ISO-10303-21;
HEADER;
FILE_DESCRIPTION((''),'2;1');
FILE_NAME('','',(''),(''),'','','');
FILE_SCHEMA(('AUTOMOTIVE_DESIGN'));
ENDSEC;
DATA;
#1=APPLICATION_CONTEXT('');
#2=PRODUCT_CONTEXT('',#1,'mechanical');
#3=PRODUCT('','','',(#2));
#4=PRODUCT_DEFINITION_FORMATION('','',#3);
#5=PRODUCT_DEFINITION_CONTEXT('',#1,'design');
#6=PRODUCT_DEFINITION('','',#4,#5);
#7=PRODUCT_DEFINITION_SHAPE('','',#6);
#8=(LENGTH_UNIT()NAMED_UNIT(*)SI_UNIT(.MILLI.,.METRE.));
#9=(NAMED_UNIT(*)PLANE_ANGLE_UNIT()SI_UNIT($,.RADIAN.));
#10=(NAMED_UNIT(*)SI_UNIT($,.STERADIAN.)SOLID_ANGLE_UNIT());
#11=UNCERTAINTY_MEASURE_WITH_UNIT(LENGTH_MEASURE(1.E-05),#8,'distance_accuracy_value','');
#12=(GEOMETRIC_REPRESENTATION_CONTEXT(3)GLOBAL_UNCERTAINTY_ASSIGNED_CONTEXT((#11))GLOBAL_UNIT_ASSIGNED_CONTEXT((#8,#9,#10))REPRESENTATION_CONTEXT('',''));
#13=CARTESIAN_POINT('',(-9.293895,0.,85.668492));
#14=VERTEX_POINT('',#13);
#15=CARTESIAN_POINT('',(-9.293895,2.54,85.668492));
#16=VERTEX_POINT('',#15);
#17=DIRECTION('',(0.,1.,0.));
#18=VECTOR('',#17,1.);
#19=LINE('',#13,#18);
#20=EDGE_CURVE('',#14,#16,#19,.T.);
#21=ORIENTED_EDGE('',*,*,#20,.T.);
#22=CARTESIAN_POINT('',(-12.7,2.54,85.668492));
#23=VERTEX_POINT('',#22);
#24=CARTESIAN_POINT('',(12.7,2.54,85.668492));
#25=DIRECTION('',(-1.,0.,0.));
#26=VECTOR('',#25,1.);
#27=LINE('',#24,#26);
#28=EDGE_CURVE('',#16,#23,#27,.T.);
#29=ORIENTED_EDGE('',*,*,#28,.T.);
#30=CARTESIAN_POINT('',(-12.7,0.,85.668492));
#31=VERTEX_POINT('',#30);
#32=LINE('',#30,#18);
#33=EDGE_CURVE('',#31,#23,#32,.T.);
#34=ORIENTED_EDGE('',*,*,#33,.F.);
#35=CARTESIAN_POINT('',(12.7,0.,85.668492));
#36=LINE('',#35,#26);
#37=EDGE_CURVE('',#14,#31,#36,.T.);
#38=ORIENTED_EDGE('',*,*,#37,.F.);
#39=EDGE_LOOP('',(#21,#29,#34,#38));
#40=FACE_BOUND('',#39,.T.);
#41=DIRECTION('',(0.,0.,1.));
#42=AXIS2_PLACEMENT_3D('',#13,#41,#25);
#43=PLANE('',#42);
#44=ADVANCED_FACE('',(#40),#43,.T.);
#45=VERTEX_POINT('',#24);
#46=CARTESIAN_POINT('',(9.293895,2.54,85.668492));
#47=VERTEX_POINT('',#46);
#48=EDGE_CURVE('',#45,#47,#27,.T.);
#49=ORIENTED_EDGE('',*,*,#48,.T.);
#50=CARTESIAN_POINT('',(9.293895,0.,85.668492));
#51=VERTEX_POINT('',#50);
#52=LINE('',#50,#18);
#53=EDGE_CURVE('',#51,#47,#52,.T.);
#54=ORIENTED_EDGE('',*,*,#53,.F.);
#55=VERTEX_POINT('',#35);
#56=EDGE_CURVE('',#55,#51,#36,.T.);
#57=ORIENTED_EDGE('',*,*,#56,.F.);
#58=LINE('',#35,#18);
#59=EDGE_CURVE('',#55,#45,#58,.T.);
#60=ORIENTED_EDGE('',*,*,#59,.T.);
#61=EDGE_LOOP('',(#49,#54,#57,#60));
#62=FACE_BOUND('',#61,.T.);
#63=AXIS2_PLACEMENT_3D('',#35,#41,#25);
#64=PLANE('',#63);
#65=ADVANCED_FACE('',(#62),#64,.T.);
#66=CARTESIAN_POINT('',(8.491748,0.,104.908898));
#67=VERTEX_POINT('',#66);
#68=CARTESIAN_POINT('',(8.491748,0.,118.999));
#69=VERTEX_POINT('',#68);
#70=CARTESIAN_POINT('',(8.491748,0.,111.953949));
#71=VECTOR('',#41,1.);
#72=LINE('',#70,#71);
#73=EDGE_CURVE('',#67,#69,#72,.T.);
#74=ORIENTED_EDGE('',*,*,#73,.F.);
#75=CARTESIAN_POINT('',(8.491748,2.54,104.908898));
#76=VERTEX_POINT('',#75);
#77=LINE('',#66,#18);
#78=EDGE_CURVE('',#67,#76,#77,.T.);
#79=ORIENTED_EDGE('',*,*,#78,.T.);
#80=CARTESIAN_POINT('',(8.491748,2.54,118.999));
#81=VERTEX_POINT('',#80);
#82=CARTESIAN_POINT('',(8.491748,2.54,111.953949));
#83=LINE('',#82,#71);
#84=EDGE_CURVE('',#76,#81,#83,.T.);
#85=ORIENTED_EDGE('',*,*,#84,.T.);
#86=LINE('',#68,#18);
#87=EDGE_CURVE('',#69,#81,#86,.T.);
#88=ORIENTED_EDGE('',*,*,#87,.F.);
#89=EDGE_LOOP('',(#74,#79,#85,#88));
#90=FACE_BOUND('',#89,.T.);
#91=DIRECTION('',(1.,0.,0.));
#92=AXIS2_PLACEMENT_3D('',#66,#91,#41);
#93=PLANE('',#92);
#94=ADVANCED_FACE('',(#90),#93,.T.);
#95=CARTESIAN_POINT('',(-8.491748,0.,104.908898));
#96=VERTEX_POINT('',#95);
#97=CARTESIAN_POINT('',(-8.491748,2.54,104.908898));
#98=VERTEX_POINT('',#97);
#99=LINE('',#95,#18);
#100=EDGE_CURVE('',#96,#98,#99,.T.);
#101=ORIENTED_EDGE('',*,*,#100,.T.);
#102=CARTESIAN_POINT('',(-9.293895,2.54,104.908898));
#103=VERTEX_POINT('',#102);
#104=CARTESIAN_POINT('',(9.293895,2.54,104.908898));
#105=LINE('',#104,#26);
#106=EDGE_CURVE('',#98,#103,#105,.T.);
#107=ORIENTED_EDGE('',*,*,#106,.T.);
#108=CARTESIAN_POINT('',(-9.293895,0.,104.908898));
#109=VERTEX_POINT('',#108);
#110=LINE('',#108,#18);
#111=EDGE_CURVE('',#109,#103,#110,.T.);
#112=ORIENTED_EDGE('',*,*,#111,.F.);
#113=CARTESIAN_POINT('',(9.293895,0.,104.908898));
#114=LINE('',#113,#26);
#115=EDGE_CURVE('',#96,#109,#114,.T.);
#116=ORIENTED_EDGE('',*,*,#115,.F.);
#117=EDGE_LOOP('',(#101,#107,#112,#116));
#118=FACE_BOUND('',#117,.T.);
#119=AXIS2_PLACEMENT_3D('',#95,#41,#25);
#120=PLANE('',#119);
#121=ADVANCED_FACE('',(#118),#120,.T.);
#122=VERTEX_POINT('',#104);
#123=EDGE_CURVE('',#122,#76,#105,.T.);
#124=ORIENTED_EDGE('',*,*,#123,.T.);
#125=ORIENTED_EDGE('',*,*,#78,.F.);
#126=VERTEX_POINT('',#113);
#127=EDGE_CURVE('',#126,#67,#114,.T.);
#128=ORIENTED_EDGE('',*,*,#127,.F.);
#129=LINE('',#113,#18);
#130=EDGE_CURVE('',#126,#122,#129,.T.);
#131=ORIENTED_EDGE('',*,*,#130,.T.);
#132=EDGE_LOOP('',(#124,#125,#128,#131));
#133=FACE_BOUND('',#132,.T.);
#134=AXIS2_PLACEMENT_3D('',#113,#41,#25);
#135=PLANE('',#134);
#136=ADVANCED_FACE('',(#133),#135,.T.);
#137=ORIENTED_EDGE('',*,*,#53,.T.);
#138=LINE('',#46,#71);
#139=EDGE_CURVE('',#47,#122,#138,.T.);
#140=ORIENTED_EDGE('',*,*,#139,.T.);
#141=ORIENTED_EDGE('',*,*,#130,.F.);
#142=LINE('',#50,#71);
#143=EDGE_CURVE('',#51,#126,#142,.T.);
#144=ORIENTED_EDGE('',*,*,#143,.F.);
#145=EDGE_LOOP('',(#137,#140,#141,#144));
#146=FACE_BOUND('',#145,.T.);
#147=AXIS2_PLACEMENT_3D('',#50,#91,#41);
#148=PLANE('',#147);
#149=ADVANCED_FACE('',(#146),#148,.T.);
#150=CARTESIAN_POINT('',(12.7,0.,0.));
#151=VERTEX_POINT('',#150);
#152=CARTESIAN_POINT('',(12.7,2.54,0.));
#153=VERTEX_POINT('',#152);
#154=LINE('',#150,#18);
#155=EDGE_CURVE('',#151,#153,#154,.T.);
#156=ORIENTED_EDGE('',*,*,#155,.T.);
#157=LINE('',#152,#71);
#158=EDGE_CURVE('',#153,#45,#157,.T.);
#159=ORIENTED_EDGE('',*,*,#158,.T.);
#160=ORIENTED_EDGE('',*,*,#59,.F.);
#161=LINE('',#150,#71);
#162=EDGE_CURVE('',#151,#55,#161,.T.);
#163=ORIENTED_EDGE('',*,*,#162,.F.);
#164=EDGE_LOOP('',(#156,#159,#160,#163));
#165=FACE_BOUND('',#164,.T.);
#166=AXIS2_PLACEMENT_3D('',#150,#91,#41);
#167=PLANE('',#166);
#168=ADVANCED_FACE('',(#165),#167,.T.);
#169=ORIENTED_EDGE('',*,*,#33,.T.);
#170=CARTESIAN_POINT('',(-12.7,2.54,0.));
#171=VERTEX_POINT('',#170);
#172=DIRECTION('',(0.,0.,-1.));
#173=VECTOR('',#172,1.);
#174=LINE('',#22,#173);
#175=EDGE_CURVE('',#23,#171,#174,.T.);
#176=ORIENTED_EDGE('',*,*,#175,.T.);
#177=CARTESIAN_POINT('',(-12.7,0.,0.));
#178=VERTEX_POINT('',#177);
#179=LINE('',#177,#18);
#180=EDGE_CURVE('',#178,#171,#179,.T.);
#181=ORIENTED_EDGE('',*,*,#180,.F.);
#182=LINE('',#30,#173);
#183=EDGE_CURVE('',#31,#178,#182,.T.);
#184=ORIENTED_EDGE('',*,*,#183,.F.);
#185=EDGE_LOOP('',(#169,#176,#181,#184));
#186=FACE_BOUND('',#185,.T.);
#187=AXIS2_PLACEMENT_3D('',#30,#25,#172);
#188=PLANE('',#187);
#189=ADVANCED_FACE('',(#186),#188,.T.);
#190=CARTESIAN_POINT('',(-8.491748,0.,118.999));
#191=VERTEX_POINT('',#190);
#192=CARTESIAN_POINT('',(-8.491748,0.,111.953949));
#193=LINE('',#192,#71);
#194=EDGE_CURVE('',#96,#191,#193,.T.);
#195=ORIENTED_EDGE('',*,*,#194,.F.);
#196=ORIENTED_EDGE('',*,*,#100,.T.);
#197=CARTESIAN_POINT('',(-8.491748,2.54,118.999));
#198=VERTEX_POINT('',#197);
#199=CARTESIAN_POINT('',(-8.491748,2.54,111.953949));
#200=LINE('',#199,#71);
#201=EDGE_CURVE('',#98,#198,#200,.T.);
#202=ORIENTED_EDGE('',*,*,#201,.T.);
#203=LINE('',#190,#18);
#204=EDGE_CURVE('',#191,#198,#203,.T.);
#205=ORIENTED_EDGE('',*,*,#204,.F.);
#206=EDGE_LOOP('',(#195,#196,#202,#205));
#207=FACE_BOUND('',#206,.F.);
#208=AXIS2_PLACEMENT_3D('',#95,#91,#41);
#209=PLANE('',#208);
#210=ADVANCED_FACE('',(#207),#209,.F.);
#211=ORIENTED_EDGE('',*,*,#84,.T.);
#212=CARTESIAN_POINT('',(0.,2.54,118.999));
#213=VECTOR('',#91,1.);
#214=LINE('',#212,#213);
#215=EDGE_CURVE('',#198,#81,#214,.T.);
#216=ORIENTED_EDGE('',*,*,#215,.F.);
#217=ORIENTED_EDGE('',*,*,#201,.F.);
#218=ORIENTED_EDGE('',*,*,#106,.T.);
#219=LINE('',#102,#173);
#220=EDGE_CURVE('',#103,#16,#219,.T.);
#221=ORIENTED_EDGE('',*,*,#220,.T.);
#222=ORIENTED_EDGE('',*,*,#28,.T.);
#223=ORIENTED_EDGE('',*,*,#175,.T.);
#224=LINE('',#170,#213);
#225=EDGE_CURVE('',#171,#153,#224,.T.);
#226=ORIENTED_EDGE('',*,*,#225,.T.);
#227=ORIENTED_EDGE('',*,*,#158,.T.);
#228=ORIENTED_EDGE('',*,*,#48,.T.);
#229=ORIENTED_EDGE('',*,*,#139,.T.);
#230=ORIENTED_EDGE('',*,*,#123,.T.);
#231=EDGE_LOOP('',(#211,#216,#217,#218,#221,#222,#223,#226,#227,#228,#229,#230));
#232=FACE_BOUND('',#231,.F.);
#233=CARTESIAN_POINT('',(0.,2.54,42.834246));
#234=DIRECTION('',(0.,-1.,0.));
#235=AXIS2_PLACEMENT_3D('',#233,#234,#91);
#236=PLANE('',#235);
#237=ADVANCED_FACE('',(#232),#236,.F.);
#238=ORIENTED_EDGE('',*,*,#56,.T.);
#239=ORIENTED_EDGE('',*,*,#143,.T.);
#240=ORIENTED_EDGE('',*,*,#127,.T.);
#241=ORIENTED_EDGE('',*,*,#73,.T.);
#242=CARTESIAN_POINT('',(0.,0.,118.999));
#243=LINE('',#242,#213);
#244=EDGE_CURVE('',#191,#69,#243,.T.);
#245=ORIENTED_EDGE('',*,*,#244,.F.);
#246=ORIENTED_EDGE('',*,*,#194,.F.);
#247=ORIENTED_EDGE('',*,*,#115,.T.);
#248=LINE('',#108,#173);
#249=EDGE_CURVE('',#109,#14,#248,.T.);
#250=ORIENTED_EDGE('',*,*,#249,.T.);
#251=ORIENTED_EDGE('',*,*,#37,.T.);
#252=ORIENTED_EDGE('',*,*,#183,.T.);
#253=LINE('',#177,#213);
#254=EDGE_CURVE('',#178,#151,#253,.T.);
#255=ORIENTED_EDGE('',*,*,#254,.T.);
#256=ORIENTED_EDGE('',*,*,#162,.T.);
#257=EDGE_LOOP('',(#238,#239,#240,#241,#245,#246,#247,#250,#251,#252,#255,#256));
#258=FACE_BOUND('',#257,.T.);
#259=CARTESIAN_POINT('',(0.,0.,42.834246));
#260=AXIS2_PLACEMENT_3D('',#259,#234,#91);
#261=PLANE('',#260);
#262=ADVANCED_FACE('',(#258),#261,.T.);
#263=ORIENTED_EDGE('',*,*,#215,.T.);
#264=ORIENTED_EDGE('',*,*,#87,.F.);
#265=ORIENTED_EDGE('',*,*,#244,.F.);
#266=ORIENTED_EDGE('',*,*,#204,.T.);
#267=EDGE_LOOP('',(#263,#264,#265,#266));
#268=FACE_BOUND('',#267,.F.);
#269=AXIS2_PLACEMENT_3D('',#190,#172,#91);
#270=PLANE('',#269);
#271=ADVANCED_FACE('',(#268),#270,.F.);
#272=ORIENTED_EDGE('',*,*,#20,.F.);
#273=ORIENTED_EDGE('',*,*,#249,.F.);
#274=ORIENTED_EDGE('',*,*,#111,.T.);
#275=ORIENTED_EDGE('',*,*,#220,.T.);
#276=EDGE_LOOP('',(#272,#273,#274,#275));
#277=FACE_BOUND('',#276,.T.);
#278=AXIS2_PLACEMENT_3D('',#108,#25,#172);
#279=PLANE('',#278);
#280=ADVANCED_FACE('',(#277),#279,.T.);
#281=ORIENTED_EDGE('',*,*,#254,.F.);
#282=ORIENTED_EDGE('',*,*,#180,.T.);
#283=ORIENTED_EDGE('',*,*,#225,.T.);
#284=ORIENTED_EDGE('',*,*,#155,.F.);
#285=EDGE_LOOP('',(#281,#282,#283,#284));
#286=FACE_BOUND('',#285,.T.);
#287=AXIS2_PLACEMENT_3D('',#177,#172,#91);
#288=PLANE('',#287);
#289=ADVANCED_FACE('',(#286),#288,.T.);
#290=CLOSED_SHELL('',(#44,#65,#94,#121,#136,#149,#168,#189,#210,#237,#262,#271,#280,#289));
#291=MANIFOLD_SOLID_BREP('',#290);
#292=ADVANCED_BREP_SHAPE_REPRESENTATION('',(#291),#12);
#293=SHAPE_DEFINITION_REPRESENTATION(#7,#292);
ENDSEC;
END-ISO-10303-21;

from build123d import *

# Parameters (mm, degrees)
F0_W     = 18.58779
F0_H     = 9.243336
F0_W_2   = 16.983496
F0_H_2   = 14.090102
F1_DEPTH = 2.54


with BuildPart() as f1:
    # F0 (on Front) → F1 (new body)
    with BuildSketch(Plane.XZ):
        Polygon((-12.7, 0), (0, 0), (12.7, 0), (12.7, 85.668492), (9.293895, 85.668492), (-9.293895, 85.668492), (-12.7, 85.668492), align=None)
        with Locations((0, 90.29016)):
            Rectangle(F0_W, F0_H)
        Polygon((-9.293895, 104.908898), (-9.293895, 94.911828), (9.293895, 94.911828), (9.293895, 104.908898), (8.491748, 104.908898), (-8.491748, 104.908898), align=None)
        with Locations((0, 111.953949)):
            Rectangle(F0_W_2, F0_H_2)
    extrude(amount=-F1_DEPTH)


solid = f1.part
